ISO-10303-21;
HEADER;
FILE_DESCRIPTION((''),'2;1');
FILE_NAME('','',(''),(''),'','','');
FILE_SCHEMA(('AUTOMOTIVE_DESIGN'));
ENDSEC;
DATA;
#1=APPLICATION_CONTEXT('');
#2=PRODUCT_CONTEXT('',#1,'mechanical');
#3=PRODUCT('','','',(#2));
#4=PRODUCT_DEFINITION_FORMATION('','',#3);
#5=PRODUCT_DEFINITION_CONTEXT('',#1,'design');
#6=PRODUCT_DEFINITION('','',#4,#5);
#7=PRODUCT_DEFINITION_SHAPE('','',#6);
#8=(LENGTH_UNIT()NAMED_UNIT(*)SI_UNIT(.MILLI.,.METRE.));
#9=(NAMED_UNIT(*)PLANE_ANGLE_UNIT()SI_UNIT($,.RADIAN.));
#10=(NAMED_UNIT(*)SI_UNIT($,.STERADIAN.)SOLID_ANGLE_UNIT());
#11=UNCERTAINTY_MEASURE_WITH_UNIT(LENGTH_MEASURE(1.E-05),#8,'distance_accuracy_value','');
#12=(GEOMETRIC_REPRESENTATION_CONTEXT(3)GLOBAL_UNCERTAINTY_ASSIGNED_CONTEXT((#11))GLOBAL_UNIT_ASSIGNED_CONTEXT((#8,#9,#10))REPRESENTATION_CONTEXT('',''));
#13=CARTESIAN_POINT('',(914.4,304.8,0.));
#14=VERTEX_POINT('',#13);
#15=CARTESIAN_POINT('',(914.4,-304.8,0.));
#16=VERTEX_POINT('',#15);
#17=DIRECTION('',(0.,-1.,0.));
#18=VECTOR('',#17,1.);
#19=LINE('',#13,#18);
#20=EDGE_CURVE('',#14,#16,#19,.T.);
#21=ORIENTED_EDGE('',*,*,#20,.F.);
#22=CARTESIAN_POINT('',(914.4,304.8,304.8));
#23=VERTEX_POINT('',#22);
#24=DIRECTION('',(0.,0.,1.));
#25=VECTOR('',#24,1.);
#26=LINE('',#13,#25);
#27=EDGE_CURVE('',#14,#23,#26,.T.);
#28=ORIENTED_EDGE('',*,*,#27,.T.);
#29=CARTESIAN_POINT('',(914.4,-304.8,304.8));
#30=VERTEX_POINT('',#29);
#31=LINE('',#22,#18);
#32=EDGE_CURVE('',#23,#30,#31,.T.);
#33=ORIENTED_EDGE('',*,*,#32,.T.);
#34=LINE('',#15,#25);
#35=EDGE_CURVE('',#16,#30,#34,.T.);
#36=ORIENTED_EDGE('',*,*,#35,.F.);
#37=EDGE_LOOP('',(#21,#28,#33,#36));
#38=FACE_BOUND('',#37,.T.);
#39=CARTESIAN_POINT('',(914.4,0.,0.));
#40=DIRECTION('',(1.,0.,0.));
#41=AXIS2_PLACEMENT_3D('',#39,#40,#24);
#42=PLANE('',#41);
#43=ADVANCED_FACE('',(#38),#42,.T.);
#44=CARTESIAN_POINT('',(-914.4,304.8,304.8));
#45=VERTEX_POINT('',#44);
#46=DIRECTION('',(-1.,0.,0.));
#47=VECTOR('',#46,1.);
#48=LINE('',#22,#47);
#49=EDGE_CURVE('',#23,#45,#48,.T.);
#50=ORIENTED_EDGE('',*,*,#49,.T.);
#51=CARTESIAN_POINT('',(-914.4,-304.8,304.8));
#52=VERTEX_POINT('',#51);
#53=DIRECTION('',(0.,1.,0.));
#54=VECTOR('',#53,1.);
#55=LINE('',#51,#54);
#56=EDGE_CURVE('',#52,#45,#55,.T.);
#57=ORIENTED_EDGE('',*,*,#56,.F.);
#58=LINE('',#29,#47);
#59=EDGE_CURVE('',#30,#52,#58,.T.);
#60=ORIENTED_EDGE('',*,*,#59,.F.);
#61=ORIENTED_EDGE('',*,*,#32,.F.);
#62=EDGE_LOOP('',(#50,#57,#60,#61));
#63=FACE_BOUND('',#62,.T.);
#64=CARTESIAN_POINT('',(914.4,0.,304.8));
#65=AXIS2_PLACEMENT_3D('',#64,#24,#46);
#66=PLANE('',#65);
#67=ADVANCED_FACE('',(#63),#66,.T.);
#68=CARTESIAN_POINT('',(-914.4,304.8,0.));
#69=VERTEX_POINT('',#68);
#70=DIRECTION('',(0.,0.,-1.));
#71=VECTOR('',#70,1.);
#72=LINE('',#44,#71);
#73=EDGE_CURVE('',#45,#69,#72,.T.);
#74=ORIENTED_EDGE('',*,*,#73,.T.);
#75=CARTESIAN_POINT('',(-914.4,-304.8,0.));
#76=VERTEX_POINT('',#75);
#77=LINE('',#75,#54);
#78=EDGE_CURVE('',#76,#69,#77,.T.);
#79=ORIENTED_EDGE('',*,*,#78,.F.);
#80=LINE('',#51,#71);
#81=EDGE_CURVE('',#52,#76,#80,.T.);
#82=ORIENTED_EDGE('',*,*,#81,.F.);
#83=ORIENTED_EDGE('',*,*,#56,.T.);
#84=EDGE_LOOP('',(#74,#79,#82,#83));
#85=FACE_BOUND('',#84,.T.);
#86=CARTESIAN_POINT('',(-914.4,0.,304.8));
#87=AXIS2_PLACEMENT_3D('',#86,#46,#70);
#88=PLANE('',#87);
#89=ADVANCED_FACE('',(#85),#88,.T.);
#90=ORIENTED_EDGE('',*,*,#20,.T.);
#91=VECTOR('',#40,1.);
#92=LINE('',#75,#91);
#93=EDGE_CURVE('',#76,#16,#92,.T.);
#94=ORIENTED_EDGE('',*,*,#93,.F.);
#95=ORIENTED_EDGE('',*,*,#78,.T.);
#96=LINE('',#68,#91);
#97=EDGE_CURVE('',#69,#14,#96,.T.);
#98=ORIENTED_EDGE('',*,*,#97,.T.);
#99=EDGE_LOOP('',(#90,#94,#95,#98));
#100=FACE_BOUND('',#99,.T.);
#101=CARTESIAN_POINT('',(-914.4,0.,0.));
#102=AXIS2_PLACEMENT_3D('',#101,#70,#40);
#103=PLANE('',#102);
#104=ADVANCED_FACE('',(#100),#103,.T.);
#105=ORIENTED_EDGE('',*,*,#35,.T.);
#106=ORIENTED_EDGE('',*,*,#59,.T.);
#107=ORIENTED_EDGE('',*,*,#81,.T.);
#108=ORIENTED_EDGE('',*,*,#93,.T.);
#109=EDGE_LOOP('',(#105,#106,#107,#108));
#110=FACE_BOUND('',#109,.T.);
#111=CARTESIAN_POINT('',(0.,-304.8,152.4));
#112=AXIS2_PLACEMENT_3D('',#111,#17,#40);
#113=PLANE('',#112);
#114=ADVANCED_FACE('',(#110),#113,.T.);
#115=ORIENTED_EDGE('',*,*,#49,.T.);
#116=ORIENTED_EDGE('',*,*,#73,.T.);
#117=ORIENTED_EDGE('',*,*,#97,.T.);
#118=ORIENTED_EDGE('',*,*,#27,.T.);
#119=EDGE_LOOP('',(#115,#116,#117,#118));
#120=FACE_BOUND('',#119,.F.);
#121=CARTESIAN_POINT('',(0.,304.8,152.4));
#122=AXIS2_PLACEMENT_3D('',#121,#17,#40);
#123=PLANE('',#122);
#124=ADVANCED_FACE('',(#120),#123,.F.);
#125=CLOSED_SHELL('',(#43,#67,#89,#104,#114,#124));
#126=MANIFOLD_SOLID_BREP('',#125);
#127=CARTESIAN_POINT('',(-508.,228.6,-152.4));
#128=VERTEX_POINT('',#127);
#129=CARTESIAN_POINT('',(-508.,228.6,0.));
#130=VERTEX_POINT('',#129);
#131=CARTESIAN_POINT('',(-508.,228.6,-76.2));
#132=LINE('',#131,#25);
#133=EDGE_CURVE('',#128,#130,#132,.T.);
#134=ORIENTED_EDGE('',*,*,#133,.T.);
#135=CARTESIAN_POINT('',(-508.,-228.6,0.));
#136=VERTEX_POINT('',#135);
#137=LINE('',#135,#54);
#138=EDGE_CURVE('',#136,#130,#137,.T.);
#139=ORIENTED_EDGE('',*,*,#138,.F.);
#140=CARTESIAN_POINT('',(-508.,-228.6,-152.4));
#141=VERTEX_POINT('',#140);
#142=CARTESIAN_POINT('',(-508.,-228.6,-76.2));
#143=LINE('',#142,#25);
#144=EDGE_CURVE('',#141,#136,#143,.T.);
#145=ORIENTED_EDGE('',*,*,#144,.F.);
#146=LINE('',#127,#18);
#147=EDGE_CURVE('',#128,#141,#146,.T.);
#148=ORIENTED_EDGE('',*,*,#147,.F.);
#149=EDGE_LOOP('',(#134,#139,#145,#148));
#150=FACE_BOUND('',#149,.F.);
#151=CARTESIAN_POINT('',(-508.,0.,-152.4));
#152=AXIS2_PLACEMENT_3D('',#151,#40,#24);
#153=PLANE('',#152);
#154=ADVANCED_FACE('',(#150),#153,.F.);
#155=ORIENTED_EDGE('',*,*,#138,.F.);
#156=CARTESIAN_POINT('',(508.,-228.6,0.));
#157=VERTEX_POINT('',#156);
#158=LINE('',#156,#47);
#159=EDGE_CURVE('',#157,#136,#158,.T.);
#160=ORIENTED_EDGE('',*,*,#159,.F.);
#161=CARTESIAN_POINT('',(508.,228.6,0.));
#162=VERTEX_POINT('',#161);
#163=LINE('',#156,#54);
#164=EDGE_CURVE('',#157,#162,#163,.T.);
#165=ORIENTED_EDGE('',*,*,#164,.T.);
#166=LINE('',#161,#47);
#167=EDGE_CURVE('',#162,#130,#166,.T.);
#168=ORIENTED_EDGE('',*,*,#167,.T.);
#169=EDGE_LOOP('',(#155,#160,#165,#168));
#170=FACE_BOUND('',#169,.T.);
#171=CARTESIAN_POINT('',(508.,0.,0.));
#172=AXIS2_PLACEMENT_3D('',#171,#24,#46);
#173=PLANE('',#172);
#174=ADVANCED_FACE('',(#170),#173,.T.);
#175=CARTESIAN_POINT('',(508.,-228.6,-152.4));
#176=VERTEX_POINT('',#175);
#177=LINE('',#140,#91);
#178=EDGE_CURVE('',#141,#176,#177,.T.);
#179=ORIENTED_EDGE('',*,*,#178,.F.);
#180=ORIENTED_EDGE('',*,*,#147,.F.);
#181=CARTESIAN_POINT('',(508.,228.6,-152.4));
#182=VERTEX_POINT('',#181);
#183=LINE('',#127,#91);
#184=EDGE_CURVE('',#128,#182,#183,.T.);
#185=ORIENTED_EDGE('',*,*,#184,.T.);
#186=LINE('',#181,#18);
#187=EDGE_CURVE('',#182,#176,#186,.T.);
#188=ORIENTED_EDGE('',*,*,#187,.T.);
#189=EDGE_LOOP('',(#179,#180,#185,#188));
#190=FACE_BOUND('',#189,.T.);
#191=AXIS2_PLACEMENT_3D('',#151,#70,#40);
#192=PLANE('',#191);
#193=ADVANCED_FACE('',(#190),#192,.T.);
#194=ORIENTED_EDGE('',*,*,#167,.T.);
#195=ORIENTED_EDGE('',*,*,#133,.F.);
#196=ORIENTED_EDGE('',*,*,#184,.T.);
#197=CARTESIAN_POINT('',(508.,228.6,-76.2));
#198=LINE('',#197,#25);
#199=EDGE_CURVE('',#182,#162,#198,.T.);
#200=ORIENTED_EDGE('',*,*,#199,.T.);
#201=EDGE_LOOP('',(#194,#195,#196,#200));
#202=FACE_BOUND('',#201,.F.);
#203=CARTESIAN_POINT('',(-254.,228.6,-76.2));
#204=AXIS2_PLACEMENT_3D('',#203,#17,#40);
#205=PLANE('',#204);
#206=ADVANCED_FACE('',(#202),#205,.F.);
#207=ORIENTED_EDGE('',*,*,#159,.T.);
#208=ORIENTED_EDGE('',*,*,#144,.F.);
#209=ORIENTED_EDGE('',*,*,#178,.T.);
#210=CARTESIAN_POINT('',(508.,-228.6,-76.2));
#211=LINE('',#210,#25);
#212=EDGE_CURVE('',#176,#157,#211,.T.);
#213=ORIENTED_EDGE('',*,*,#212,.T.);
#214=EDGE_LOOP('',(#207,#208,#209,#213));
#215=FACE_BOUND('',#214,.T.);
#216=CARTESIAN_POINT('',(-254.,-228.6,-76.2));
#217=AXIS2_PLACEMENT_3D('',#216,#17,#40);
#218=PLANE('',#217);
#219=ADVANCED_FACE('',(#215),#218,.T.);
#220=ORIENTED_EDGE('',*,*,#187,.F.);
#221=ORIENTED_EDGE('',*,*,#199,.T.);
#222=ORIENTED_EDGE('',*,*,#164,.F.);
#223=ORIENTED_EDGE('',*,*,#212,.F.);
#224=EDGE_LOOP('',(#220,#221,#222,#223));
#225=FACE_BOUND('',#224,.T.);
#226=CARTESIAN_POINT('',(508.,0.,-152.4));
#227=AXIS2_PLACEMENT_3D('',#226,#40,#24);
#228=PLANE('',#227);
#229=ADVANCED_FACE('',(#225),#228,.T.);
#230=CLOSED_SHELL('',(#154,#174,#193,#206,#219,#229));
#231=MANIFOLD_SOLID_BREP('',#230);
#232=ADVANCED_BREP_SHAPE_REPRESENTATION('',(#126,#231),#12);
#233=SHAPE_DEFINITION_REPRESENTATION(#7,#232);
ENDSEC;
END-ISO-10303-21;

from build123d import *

# Parameters (mm, degrees)
F1_DEPTH = 304.8
F0_W     = 508
F0_H     = 152.4
F2_DEPTH = 228.6


with BuildPart() as f1:
    # F0 (on Front) → F1 (new body, symmetric)
    with BuildSketch(Plane.XZ):
        Polygon((-914.4, 0), (-508, 0), (0, 0), (508, 0), (914.4, 0), (914.4, 304.8), (-914.4, 304.8), align=None)
    extrude(amount=F1_DEPTH, both=True)


with BuildPart() as f2:
    # F0 (on Front) → F2 (new body, symmetric)
    with BuildSketch(Plane.XZ):
        with Locations((-254, -76.2)):
            Rectangle(F0_W, F0_H)
        with Locations((254, -76.2)):
            Rectangle(F0_W, F0_H)
    extrude(amount=F2_DEPTH, both=True)


solid = Compound([f1.part, f2.part])
